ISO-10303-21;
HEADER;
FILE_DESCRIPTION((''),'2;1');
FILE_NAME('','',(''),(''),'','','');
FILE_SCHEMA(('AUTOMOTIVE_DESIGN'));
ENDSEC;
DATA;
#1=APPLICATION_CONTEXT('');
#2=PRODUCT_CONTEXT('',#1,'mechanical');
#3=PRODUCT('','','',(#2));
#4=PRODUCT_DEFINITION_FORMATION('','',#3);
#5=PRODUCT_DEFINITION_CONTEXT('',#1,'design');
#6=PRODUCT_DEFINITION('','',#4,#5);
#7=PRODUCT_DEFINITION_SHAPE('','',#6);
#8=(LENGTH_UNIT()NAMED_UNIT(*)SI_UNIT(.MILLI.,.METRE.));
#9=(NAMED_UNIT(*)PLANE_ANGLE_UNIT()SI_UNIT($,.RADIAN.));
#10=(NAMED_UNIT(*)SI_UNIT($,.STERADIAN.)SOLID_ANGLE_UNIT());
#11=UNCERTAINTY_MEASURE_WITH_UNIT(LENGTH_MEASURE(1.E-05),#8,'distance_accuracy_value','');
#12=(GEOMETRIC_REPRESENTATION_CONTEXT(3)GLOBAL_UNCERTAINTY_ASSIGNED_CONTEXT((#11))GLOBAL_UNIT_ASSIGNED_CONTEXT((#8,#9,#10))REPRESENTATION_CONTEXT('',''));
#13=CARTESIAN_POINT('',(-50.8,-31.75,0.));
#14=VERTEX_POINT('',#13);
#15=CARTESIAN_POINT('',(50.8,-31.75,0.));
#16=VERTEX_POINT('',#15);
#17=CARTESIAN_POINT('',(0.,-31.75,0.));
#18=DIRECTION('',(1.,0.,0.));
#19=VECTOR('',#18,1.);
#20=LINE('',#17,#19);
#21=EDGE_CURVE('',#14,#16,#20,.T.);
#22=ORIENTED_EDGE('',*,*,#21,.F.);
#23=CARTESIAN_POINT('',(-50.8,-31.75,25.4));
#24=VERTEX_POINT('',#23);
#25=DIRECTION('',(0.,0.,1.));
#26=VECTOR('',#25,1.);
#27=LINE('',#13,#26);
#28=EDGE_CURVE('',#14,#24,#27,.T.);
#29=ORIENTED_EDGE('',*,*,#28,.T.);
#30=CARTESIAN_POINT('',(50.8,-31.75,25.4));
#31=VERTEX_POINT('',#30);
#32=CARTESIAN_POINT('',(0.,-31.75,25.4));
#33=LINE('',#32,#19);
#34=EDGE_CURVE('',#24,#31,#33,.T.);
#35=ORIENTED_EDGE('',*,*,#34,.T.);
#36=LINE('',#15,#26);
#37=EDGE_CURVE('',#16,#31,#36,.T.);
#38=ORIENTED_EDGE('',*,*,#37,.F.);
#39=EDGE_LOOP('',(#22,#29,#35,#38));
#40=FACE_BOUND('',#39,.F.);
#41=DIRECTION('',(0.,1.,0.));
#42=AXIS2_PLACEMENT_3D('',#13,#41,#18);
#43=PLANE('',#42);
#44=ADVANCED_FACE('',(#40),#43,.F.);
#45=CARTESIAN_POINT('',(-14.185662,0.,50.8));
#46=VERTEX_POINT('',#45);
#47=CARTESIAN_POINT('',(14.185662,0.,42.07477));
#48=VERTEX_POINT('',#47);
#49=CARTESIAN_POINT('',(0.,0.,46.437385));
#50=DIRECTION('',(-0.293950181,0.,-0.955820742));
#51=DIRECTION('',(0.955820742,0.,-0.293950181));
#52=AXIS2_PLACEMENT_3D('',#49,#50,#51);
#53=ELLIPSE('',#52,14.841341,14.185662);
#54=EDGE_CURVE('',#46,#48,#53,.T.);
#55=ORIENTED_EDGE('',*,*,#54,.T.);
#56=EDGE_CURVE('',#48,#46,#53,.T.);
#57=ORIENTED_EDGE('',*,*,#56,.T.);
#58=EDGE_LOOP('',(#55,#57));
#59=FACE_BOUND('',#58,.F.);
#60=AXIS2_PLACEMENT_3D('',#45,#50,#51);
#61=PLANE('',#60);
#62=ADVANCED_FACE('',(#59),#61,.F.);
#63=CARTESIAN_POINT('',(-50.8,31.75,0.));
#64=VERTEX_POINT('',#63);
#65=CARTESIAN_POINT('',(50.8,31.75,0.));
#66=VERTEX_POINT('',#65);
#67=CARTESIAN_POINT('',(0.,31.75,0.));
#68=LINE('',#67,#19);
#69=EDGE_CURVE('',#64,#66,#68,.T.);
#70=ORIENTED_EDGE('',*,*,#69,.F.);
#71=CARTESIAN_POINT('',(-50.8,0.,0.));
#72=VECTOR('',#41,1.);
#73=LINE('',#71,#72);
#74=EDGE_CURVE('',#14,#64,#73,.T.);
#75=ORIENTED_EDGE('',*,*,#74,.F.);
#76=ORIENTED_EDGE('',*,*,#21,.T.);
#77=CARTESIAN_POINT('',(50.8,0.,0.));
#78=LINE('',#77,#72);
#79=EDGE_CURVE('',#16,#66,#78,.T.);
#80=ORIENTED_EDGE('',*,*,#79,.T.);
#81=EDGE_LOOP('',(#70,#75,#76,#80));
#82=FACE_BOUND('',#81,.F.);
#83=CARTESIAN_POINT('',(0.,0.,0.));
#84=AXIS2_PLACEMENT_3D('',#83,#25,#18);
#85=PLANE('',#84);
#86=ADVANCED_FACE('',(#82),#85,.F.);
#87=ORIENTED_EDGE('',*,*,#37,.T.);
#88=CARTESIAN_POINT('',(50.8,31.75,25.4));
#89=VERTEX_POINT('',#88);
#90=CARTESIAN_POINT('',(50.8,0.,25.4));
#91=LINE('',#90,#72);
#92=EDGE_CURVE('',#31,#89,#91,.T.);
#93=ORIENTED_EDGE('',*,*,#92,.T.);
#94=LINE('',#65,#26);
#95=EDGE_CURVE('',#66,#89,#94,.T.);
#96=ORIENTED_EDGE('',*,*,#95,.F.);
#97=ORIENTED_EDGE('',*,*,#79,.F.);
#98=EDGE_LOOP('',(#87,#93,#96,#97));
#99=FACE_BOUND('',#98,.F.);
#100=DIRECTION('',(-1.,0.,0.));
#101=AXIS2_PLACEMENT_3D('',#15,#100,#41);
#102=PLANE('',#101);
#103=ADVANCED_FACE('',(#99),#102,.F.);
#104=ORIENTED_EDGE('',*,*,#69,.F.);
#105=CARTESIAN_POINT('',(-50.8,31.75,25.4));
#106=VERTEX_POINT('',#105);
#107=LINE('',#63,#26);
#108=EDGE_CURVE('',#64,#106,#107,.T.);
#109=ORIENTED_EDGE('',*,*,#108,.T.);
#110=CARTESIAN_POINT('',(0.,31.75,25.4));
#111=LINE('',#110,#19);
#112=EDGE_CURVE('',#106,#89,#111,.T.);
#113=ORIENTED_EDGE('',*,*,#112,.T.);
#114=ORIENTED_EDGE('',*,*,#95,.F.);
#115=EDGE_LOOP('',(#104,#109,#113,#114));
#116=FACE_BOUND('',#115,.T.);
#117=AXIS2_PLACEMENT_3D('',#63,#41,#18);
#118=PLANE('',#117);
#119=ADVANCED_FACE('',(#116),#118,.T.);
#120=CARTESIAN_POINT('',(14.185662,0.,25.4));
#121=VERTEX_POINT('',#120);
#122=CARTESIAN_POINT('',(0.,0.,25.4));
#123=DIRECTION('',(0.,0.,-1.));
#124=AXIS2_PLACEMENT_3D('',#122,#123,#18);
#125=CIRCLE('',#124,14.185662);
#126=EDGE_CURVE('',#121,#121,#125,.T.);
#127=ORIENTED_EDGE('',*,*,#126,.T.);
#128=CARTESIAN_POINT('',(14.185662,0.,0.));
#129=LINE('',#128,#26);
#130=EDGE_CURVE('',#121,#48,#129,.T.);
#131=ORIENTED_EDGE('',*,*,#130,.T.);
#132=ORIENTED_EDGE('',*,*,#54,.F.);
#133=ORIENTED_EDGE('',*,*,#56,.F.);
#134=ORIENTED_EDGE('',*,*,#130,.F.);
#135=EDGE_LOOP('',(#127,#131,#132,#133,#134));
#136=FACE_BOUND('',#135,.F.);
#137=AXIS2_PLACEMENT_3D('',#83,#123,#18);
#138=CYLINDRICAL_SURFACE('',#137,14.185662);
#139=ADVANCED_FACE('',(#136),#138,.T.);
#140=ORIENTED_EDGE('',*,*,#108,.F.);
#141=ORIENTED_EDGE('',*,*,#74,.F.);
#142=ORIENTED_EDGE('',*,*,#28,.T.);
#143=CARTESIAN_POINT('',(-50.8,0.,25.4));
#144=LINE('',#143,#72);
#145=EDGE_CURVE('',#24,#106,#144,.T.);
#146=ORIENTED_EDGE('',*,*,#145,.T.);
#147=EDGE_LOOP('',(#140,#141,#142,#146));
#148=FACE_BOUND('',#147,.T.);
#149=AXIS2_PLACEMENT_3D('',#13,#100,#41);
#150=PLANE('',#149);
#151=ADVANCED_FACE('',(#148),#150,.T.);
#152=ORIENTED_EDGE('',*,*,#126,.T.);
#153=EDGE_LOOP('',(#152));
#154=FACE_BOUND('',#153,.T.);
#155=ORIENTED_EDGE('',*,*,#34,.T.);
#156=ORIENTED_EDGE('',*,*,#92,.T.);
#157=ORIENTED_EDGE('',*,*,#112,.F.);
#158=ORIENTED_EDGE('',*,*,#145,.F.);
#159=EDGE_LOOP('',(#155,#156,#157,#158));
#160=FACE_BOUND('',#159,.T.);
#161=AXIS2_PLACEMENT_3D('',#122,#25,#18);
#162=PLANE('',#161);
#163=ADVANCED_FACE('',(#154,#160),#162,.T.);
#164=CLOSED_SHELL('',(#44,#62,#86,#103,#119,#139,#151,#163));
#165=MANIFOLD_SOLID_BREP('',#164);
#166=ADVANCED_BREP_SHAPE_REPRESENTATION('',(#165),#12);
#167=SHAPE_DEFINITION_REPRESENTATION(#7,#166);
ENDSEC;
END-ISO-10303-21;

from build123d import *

# Parameters (mm, degrees)
F0_W     = 101.6
F0_H     = 63.5
F2_DEPTH = 25.4
F1_R     = 14.185662
F3_DEPTH = 50.8
F5_DEPTH = 25.4


with BuildPart() as f2:
    # F0 (on Top) → F2 (new body)
    with BuildSketch(Plane.XY):
        Rectangle(F0_W, F0_H)
    extrude(amount=F2_DEPTH)

    # F1 (on face) → F3 (join)
    with BuildSketch(Plane.XY):
        Circle(F1_R)
    extrude(amount=F3_DEPTH)

    # F4 (on Front) → F5 (cut, symmetric)
    with BuildSketch(Plane.XZ):
        Polygon((14.185662, 50.8), (-14.185662, 50.8), (14.185662, 42.07477), align=None)
    extrude(amount=F5_DEPTH, both=True, mode=Mode.SUBTRACT)


solid = f2.part
